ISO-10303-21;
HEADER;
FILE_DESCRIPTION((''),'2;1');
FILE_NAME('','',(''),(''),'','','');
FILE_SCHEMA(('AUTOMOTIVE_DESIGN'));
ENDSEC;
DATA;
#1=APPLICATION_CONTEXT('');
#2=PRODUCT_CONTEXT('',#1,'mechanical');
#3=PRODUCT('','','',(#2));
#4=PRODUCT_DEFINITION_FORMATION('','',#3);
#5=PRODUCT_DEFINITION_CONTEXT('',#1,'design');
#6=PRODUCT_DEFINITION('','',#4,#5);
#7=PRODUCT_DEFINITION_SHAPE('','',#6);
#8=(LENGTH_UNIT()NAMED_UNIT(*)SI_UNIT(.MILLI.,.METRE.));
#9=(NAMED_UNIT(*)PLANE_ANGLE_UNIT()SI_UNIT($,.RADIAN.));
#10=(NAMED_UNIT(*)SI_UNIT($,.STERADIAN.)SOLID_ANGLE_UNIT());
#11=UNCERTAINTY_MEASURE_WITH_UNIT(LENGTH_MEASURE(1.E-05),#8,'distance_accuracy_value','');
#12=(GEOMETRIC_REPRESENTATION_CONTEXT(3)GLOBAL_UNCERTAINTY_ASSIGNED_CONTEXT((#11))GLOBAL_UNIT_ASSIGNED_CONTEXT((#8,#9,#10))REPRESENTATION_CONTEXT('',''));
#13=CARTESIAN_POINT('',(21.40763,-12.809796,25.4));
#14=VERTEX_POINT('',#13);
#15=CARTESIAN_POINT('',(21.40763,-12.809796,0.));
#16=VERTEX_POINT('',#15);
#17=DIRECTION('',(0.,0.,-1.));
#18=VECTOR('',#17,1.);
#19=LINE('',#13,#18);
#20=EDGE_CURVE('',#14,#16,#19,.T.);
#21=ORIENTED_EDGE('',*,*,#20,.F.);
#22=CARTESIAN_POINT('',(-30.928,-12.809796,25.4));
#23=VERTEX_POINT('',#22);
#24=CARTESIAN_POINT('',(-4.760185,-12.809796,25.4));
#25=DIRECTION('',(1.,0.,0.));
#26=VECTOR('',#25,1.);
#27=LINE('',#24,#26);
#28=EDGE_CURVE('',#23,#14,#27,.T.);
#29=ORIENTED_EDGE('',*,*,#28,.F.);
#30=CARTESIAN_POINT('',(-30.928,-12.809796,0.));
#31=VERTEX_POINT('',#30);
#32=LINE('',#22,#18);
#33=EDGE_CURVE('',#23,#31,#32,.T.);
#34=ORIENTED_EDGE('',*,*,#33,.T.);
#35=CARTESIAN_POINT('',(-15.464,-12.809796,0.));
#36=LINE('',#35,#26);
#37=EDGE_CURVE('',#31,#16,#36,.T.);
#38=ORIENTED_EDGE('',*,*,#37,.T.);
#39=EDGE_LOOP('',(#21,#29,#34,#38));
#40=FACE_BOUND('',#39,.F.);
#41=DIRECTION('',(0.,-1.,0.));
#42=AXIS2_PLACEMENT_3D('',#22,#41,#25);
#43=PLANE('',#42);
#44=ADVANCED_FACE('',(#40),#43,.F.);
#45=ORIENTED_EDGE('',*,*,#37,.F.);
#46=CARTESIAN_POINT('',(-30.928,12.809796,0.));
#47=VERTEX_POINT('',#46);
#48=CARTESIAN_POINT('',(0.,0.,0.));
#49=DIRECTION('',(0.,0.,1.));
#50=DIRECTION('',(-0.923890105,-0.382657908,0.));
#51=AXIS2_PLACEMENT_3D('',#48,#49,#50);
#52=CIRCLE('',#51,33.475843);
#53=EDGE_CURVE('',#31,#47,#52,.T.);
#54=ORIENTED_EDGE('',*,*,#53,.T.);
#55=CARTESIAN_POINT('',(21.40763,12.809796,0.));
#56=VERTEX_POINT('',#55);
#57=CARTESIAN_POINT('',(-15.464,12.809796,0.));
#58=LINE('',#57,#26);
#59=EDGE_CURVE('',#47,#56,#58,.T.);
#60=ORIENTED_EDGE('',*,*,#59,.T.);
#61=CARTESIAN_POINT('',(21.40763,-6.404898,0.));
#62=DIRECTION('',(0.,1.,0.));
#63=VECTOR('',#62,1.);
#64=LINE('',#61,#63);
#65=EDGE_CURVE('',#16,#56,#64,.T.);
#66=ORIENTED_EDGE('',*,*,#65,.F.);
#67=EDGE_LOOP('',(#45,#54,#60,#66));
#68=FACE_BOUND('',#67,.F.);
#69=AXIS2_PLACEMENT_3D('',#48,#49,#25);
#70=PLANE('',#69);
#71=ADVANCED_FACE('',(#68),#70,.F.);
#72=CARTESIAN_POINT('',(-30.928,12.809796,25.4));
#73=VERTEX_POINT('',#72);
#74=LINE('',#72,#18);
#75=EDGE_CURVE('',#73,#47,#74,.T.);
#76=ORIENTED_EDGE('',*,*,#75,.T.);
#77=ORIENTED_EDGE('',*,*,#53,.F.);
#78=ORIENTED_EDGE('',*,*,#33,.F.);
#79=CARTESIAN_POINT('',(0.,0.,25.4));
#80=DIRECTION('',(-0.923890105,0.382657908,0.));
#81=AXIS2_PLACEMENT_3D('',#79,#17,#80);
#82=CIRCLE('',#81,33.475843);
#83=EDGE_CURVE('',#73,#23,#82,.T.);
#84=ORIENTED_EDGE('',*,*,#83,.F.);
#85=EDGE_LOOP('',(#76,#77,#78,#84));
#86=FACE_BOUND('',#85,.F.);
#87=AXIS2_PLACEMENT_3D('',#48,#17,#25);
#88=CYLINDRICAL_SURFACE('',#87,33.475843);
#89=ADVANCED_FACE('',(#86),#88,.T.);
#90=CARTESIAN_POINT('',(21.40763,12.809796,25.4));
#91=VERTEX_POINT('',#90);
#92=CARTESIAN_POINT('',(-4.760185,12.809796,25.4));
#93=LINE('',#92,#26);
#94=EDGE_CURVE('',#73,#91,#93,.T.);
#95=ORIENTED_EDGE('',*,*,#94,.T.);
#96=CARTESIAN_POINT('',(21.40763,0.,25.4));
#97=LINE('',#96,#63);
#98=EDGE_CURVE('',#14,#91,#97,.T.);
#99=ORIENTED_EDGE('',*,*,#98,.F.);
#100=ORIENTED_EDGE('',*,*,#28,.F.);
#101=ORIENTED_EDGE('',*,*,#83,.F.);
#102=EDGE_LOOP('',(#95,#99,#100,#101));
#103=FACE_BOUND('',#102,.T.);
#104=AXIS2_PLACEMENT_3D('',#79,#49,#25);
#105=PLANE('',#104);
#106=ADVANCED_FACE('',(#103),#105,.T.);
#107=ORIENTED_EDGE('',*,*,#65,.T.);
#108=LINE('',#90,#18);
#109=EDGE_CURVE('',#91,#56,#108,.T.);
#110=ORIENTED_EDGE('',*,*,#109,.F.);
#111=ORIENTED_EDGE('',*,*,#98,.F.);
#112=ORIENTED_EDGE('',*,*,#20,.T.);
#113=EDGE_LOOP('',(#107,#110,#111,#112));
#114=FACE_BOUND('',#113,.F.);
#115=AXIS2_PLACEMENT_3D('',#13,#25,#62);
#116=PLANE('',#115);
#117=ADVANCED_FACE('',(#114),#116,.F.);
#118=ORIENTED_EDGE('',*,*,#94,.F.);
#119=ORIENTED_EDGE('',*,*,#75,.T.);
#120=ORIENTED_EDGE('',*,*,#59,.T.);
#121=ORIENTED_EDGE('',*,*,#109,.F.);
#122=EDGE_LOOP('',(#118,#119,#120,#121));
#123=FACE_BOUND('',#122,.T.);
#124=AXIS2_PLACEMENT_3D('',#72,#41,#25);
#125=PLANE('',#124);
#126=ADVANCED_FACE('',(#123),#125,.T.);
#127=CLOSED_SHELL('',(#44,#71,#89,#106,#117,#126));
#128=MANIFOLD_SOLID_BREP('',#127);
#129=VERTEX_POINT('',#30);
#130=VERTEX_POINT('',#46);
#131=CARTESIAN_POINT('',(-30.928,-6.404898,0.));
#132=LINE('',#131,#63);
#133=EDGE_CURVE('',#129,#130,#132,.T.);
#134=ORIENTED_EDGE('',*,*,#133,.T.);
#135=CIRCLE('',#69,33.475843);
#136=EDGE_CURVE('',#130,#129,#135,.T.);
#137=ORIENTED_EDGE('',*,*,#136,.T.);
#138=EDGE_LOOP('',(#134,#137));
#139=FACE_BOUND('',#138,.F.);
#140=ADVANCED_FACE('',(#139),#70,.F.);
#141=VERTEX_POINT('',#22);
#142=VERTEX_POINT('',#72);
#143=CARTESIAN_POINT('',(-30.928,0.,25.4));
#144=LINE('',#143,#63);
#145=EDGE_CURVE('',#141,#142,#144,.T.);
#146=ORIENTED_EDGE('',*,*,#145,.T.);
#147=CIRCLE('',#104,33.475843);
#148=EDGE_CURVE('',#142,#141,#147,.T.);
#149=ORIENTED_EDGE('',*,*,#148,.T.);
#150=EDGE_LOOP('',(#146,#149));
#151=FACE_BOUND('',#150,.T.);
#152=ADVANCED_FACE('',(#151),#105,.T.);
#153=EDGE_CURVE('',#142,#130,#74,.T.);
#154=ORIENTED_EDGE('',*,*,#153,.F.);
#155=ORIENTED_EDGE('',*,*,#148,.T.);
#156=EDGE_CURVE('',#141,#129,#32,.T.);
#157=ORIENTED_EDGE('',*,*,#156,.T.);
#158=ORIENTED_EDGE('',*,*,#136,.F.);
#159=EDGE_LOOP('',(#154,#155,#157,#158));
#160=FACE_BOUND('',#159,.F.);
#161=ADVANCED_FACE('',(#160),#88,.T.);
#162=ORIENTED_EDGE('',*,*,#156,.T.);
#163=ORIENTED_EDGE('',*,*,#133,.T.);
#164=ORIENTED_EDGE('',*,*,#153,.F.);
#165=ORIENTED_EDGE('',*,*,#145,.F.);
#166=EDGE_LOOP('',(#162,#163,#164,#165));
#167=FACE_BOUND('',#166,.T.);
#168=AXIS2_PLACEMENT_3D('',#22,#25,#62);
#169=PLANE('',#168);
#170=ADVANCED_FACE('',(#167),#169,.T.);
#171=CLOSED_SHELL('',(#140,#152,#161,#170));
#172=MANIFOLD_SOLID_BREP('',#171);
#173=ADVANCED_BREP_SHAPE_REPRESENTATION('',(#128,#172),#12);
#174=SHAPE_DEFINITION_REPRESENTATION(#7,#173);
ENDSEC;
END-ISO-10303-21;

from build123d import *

# Parameters (mm, degrees)
F0_R     = 33.475843
F1_DEPTH = 25.4
F2_W     = 52.33563
F2_H     = 25.619592
F3_DEPTH = 37.846


with BuildPart() as f1:
    # F0 (on Top) → F1 (new body)
    with BuildSketch(Plane.XY):
        Circle(F0_R)
    extrude(amount=F1_DEPTH)

    # F2 (on face) → F3 (cut)
    with BuildSketch(Plane.XY.offset(25.4)):
        with Locations((-4.760185, 0)):
            Rectangle(F2_W, F2_H)
    extrude(amount=-F3_DEPTH, mode=Mode.SUBTRACT)


solid = f1.part
